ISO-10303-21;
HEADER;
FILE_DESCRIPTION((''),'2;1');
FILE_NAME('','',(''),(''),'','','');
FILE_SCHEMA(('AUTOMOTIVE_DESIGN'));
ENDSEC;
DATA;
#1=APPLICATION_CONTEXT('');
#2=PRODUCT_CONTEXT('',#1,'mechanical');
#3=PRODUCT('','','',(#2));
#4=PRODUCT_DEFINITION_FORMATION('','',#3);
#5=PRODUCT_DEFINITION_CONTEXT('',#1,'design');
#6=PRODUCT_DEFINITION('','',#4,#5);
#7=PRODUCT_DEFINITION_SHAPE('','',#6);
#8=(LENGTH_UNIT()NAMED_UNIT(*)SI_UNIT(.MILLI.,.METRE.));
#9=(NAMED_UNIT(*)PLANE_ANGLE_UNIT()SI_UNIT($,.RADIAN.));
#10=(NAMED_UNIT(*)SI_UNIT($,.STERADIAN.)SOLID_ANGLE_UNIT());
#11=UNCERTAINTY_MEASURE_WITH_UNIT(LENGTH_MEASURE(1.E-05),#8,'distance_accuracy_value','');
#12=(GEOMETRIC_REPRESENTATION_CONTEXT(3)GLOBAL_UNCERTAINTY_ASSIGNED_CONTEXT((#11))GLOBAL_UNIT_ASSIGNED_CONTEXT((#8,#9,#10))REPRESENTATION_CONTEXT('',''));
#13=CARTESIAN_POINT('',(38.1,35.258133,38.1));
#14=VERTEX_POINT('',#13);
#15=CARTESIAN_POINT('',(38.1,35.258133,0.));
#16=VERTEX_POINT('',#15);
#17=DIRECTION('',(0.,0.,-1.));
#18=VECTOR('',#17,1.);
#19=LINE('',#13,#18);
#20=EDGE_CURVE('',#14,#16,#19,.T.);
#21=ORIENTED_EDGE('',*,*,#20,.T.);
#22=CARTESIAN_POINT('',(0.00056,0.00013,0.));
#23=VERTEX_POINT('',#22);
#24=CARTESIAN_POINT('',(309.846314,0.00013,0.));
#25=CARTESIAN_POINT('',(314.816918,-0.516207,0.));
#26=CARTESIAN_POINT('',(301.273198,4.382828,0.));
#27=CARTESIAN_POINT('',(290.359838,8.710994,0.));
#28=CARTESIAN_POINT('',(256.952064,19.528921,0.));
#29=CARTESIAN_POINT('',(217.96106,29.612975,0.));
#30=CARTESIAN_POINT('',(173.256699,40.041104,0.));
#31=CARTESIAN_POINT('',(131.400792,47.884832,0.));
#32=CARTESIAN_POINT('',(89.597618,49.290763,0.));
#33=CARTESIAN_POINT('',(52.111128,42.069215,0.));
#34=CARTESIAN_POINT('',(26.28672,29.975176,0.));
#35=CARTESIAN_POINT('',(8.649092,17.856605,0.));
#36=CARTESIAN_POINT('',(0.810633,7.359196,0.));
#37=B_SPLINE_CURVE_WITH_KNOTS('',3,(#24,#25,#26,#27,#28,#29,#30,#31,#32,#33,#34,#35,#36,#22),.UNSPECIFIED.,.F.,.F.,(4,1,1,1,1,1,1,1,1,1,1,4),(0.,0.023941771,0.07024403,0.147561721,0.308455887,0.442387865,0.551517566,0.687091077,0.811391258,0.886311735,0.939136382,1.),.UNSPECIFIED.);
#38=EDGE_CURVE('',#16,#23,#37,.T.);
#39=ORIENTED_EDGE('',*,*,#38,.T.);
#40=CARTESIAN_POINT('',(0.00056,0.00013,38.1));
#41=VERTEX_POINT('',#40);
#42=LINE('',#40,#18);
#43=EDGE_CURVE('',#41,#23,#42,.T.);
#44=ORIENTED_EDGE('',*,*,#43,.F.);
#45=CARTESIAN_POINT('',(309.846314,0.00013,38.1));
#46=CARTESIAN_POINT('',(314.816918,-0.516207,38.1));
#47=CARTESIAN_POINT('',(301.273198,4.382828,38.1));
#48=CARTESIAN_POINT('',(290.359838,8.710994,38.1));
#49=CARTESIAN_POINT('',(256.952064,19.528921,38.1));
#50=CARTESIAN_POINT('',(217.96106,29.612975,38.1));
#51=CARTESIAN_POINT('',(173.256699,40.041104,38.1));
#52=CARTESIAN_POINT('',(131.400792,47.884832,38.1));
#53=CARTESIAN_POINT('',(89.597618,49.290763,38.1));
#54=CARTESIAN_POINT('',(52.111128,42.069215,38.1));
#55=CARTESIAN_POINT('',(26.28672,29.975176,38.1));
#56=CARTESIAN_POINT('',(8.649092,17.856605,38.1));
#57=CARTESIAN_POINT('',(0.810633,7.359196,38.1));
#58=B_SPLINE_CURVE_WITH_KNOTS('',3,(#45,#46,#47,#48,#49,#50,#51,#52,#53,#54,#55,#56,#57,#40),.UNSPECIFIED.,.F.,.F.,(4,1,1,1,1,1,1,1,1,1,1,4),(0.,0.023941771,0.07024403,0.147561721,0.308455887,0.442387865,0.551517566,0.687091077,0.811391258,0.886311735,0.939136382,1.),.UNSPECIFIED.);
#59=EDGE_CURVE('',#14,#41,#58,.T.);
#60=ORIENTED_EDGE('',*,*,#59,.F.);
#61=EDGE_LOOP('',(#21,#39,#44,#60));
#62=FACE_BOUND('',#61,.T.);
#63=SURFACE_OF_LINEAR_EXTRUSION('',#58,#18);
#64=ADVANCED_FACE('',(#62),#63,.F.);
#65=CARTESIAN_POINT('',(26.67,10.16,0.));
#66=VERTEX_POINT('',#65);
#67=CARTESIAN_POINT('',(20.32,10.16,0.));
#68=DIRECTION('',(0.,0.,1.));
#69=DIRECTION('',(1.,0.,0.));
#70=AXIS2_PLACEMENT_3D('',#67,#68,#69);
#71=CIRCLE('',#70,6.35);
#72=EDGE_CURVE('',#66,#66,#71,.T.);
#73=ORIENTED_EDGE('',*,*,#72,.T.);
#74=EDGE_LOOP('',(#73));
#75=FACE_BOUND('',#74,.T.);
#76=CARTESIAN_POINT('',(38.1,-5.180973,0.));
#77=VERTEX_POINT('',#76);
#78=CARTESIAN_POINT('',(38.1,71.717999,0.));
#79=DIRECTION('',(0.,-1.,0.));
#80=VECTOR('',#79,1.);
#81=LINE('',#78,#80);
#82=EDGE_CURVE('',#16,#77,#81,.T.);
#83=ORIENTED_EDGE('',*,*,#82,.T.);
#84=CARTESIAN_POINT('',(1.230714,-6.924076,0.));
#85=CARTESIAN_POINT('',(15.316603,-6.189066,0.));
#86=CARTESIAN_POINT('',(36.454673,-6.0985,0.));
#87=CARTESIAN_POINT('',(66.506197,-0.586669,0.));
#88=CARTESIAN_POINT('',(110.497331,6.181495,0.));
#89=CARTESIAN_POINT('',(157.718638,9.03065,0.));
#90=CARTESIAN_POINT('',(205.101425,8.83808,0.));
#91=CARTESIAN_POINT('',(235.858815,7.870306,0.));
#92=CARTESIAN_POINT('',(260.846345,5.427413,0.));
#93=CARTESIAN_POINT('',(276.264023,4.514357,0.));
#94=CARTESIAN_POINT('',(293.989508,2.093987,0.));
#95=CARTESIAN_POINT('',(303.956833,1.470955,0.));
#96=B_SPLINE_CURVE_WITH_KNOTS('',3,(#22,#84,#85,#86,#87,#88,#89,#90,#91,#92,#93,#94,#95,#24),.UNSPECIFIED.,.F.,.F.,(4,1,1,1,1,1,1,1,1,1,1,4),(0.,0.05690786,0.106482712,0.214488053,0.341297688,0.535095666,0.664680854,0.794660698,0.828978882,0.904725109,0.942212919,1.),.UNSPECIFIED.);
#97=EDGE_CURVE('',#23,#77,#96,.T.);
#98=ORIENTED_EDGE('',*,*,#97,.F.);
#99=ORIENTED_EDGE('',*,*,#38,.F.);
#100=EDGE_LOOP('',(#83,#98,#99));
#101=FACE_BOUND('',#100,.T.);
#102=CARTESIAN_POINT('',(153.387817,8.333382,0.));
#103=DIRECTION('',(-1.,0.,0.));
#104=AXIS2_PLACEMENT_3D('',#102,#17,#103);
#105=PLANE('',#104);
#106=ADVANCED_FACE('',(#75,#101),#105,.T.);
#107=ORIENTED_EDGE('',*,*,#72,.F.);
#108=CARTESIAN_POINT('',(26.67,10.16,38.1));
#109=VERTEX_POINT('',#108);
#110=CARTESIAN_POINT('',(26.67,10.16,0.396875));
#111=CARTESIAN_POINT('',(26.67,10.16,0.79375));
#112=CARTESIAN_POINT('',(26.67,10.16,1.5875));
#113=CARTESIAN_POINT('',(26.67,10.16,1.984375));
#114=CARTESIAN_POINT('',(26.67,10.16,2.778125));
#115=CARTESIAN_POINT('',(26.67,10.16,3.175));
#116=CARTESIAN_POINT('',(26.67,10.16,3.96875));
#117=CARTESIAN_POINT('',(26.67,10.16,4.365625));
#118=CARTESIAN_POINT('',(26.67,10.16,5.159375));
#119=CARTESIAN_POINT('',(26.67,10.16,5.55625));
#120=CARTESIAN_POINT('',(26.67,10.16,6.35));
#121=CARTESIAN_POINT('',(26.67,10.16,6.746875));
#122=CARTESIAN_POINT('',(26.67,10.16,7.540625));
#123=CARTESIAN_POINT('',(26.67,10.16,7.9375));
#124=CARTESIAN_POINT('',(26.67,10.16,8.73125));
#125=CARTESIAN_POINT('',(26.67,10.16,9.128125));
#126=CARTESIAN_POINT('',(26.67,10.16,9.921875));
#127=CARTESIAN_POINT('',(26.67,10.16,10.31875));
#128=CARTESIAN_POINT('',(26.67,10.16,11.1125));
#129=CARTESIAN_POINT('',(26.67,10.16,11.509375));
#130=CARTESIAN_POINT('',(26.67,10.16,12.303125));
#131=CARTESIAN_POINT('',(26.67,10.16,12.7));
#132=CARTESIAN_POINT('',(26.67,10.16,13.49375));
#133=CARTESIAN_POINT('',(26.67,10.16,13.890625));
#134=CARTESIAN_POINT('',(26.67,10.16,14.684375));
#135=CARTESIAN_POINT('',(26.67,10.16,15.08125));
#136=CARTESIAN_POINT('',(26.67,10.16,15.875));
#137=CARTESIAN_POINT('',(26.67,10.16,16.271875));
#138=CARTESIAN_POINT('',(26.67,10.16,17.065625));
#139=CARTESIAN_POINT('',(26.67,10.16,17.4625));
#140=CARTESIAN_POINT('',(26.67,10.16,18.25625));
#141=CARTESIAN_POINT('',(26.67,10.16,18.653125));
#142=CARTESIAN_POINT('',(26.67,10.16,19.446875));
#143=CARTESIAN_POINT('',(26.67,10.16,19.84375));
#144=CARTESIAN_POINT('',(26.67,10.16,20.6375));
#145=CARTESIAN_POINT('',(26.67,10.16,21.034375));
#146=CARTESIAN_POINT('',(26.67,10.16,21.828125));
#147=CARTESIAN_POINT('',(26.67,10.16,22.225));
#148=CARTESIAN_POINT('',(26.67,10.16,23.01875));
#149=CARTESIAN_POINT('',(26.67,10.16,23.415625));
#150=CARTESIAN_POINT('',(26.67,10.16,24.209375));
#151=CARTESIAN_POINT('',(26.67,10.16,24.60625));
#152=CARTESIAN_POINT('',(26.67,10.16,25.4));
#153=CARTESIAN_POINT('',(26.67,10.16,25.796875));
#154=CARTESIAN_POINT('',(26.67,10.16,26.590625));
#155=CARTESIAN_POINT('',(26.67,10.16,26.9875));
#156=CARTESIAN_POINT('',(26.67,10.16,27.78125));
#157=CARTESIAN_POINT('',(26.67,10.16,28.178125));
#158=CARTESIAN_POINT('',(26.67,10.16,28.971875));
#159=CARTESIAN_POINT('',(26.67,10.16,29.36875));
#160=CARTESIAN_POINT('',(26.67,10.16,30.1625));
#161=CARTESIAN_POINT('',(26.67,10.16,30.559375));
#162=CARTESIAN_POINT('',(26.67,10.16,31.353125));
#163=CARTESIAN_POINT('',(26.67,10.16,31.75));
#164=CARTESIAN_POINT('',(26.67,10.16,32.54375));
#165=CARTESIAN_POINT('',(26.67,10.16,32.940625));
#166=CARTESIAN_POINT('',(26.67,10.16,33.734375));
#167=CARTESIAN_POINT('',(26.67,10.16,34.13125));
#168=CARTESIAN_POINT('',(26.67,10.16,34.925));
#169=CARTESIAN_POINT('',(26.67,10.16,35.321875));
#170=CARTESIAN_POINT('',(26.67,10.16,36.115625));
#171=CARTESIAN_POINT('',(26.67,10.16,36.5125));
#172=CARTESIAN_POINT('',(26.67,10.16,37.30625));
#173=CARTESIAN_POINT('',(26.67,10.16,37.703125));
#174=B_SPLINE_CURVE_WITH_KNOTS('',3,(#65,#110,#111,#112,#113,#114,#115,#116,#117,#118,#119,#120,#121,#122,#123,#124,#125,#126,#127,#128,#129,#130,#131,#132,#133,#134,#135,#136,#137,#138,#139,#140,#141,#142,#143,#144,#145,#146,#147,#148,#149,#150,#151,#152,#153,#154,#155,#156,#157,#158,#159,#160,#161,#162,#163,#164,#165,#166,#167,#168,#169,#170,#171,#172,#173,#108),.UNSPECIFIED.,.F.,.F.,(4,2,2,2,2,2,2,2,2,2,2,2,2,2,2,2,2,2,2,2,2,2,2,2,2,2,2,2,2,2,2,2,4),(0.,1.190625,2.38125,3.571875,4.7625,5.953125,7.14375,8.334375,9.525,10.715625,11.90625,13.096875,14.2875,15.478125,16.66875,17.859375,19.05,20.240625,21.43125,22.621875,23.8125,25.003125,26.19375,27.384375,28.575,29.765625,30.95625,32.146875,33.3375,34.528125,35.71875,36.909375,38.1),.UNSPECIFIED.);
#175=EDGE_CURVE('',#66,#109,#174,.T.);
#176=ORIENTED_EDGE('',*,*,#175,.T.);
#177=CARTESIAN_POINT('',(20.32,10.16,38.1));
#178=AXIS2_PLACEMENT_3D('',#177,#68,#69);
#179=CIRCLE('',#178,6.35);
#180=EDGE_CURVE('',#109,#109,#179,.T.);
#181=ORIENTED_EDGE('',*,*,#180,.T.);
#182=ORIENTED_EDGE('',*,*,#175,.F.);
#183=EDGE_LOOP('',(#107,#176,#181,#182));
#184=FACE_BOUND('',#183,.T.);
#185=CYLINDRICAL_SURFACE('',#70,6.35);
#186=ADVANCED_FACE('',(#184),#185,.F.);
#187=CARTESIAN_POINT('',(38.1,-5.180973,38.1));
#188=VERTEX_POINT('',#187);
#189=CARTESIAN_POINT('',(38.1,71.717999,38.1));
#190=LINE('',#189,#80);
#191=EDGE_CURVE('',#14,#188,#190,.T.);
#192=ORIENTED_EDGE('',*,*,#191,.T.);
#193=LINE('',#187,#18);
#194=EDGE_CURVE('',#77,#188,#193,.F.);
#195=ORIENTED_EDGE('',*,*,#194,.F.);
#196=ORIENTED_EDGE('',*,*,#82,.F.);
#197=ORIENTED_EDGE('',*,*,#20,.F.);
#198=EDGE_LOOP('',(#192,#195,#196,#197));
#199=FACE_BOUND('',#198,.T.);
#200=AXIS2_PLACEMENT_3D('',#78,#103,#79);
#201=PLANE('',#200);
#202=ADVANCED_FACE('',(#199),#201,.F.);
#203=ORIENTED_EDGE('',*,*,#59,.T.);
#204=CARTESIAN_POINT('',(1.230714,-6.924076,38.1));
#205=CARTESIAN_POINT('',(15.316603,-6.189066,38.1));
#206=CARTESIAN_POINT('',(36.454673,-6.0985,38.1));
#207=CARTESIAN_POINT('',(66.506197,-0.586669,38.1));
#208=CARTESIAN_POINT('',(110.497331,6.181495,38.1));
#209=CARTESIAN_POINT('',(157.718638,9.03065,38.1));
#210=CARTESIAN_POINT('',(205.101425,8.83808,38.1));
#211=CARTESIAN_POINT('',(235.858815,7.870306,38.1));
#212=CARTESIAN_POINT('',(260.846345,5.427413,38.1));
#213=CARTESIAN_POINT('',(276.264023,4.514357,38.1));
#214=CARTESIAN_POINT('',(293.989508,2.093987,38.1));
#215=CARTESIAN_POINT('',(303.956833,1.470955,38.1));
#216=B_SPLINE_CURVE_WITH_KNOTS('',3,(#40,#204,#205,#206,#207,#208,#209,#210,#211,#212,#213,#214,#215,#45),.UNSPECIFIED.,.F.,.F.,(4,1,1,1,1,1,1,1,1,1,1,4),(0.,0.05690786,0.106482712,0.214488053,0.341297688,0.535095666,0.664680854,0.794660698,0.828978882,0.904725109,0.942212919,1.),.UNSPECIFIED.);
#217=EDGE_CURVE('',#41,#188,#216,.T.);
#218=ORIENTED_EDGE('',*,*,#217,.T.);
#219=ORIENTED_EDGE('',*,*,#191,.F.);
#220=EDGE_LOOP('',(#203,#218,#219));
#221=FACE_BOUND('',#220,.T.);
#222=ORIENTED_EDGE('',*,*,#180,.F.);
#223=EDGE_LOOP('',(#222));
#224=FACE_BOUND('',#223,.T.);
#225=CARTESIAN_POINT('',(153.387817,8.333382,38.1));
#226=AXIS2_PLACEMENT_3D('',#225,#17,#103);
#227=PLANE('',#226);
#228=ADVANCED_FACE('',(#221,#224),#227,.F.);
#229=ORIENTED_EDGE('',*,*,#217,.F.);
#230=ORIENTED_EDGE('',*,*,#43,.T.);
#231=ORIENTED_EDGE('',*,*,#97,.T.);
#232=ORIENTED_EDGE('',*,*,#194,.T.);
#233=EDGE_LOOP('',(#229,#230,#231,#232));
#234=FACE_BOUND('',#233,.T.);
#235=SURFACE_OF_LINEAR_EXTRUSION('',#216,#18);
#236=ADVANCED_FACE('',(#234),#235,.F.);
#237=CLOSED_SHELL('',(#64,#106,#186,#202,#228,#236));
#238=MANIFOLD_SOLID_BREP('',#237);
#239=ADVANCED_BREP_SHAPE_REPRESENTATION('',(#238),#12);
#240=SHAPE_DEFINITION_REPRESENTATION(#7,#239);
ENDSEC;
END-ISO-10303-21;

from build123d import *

# Parameters (mm, degrees)
BOSS_EXTRUDE1_DEPTH = 38.1
SKETCH2_R           = 6.35
SKETCH2_R_2         = 3.175
CUT_EXTRUDE1_DEPTH  = 319.018514003
SKETCH3_W           = 293.188888759
SKETCH3_H           = 137.971241769
CUT_EXTRUDE2_DEPTH  = 319.018514003


with BuildPart() as part:
    # Sketch1 → Boss-Extrude1 (new body)
    with BuildSketch(Plane.XY):
        with BuildLine():
            add(Edge.make_bspline(
                [(0.000560351, 0.000130087), (0.810633127, 7.359196055), (8.649092025, 17.856605174), (26.286719818, 29.975176328), (52.111128271, 42.069215275), (89.597618475, 49.290763054), (131.400792109, 47.884831915), (173.256699242, 40.041104278), (217.961060472, 29.612974894), (256.952064401, 19.528920948), (290.35983767, 8.71099439), (301.273197721, 4.382828139), (314.816918223, -0.516206742), (309.846313895, 0.000130087)],
                knots=[0, 0, 0, 0, 0.060863618, 0.113688265, 0.188608742, 0.312908923, 0.448482434, 0.557612135, 0.691544113, 0.852438279, 0.92975597, 0.976058229, 1, 1, 1, 1], degree=3))
            add(Edge.make_bspline(
                [(309.846313895, 0.000130087), (303.956832565, 1.47095521), (293.989507544, 2.093987313), (276.26402299, 4.514356704), (260.846344817, 5.427413394), (235.858814759, 7.870306192), (205.101424636, 8.838080282), (157.718638092, 9.030650149), (110.497331172, 6.181495223), (66.506197185, -0.586669107), (36.454672816, -6.098499901), (15.316603331, -6.189065841), (1.230714189, -6.924076091), (0.000560351, 0.000130087)],
                knots=[0, 0, 0, 0, 0.057787081, 0.095274891, 0.171021118, 0.205339302, 0.335319146, 0.464904334, 0.658702312, 0.785511947, 0.893517288, 0.94309214, 1, 1, 1, 1], degree=3))
        make_face()
    extrude(amount=BOSS_EXTRUDE1_DEPTH)

    # Sketch2 → Cut-Extrude1 (cut, through all)
    with BuildSketch(Plane.XY.offset(38.1)):
        with Locations((20.32, 10.16)):
            Circle(SKETCH2_R)
        with Locations((227.296313895, 19.050130087)):
            Circle(SKETCH2_R_2)
    extrude(amount=-CUT_EXTRUDE1_DEPTH, mode=Mode.SUBTRACT)

    # Sketch3 → Cut-Extrude2 (cut, through all)
    with BuildSketch(Plane.XY.offset(38.1)):
        with Locations((184.69444438, 2.732377951)):
            Rectangle(SKETCH3_W, SKETCH3_H)
    extrude(amount=-CUT_EXTRUDE2_DEPTH, mode=Mode.SUBTRACT)


solid = part.part
